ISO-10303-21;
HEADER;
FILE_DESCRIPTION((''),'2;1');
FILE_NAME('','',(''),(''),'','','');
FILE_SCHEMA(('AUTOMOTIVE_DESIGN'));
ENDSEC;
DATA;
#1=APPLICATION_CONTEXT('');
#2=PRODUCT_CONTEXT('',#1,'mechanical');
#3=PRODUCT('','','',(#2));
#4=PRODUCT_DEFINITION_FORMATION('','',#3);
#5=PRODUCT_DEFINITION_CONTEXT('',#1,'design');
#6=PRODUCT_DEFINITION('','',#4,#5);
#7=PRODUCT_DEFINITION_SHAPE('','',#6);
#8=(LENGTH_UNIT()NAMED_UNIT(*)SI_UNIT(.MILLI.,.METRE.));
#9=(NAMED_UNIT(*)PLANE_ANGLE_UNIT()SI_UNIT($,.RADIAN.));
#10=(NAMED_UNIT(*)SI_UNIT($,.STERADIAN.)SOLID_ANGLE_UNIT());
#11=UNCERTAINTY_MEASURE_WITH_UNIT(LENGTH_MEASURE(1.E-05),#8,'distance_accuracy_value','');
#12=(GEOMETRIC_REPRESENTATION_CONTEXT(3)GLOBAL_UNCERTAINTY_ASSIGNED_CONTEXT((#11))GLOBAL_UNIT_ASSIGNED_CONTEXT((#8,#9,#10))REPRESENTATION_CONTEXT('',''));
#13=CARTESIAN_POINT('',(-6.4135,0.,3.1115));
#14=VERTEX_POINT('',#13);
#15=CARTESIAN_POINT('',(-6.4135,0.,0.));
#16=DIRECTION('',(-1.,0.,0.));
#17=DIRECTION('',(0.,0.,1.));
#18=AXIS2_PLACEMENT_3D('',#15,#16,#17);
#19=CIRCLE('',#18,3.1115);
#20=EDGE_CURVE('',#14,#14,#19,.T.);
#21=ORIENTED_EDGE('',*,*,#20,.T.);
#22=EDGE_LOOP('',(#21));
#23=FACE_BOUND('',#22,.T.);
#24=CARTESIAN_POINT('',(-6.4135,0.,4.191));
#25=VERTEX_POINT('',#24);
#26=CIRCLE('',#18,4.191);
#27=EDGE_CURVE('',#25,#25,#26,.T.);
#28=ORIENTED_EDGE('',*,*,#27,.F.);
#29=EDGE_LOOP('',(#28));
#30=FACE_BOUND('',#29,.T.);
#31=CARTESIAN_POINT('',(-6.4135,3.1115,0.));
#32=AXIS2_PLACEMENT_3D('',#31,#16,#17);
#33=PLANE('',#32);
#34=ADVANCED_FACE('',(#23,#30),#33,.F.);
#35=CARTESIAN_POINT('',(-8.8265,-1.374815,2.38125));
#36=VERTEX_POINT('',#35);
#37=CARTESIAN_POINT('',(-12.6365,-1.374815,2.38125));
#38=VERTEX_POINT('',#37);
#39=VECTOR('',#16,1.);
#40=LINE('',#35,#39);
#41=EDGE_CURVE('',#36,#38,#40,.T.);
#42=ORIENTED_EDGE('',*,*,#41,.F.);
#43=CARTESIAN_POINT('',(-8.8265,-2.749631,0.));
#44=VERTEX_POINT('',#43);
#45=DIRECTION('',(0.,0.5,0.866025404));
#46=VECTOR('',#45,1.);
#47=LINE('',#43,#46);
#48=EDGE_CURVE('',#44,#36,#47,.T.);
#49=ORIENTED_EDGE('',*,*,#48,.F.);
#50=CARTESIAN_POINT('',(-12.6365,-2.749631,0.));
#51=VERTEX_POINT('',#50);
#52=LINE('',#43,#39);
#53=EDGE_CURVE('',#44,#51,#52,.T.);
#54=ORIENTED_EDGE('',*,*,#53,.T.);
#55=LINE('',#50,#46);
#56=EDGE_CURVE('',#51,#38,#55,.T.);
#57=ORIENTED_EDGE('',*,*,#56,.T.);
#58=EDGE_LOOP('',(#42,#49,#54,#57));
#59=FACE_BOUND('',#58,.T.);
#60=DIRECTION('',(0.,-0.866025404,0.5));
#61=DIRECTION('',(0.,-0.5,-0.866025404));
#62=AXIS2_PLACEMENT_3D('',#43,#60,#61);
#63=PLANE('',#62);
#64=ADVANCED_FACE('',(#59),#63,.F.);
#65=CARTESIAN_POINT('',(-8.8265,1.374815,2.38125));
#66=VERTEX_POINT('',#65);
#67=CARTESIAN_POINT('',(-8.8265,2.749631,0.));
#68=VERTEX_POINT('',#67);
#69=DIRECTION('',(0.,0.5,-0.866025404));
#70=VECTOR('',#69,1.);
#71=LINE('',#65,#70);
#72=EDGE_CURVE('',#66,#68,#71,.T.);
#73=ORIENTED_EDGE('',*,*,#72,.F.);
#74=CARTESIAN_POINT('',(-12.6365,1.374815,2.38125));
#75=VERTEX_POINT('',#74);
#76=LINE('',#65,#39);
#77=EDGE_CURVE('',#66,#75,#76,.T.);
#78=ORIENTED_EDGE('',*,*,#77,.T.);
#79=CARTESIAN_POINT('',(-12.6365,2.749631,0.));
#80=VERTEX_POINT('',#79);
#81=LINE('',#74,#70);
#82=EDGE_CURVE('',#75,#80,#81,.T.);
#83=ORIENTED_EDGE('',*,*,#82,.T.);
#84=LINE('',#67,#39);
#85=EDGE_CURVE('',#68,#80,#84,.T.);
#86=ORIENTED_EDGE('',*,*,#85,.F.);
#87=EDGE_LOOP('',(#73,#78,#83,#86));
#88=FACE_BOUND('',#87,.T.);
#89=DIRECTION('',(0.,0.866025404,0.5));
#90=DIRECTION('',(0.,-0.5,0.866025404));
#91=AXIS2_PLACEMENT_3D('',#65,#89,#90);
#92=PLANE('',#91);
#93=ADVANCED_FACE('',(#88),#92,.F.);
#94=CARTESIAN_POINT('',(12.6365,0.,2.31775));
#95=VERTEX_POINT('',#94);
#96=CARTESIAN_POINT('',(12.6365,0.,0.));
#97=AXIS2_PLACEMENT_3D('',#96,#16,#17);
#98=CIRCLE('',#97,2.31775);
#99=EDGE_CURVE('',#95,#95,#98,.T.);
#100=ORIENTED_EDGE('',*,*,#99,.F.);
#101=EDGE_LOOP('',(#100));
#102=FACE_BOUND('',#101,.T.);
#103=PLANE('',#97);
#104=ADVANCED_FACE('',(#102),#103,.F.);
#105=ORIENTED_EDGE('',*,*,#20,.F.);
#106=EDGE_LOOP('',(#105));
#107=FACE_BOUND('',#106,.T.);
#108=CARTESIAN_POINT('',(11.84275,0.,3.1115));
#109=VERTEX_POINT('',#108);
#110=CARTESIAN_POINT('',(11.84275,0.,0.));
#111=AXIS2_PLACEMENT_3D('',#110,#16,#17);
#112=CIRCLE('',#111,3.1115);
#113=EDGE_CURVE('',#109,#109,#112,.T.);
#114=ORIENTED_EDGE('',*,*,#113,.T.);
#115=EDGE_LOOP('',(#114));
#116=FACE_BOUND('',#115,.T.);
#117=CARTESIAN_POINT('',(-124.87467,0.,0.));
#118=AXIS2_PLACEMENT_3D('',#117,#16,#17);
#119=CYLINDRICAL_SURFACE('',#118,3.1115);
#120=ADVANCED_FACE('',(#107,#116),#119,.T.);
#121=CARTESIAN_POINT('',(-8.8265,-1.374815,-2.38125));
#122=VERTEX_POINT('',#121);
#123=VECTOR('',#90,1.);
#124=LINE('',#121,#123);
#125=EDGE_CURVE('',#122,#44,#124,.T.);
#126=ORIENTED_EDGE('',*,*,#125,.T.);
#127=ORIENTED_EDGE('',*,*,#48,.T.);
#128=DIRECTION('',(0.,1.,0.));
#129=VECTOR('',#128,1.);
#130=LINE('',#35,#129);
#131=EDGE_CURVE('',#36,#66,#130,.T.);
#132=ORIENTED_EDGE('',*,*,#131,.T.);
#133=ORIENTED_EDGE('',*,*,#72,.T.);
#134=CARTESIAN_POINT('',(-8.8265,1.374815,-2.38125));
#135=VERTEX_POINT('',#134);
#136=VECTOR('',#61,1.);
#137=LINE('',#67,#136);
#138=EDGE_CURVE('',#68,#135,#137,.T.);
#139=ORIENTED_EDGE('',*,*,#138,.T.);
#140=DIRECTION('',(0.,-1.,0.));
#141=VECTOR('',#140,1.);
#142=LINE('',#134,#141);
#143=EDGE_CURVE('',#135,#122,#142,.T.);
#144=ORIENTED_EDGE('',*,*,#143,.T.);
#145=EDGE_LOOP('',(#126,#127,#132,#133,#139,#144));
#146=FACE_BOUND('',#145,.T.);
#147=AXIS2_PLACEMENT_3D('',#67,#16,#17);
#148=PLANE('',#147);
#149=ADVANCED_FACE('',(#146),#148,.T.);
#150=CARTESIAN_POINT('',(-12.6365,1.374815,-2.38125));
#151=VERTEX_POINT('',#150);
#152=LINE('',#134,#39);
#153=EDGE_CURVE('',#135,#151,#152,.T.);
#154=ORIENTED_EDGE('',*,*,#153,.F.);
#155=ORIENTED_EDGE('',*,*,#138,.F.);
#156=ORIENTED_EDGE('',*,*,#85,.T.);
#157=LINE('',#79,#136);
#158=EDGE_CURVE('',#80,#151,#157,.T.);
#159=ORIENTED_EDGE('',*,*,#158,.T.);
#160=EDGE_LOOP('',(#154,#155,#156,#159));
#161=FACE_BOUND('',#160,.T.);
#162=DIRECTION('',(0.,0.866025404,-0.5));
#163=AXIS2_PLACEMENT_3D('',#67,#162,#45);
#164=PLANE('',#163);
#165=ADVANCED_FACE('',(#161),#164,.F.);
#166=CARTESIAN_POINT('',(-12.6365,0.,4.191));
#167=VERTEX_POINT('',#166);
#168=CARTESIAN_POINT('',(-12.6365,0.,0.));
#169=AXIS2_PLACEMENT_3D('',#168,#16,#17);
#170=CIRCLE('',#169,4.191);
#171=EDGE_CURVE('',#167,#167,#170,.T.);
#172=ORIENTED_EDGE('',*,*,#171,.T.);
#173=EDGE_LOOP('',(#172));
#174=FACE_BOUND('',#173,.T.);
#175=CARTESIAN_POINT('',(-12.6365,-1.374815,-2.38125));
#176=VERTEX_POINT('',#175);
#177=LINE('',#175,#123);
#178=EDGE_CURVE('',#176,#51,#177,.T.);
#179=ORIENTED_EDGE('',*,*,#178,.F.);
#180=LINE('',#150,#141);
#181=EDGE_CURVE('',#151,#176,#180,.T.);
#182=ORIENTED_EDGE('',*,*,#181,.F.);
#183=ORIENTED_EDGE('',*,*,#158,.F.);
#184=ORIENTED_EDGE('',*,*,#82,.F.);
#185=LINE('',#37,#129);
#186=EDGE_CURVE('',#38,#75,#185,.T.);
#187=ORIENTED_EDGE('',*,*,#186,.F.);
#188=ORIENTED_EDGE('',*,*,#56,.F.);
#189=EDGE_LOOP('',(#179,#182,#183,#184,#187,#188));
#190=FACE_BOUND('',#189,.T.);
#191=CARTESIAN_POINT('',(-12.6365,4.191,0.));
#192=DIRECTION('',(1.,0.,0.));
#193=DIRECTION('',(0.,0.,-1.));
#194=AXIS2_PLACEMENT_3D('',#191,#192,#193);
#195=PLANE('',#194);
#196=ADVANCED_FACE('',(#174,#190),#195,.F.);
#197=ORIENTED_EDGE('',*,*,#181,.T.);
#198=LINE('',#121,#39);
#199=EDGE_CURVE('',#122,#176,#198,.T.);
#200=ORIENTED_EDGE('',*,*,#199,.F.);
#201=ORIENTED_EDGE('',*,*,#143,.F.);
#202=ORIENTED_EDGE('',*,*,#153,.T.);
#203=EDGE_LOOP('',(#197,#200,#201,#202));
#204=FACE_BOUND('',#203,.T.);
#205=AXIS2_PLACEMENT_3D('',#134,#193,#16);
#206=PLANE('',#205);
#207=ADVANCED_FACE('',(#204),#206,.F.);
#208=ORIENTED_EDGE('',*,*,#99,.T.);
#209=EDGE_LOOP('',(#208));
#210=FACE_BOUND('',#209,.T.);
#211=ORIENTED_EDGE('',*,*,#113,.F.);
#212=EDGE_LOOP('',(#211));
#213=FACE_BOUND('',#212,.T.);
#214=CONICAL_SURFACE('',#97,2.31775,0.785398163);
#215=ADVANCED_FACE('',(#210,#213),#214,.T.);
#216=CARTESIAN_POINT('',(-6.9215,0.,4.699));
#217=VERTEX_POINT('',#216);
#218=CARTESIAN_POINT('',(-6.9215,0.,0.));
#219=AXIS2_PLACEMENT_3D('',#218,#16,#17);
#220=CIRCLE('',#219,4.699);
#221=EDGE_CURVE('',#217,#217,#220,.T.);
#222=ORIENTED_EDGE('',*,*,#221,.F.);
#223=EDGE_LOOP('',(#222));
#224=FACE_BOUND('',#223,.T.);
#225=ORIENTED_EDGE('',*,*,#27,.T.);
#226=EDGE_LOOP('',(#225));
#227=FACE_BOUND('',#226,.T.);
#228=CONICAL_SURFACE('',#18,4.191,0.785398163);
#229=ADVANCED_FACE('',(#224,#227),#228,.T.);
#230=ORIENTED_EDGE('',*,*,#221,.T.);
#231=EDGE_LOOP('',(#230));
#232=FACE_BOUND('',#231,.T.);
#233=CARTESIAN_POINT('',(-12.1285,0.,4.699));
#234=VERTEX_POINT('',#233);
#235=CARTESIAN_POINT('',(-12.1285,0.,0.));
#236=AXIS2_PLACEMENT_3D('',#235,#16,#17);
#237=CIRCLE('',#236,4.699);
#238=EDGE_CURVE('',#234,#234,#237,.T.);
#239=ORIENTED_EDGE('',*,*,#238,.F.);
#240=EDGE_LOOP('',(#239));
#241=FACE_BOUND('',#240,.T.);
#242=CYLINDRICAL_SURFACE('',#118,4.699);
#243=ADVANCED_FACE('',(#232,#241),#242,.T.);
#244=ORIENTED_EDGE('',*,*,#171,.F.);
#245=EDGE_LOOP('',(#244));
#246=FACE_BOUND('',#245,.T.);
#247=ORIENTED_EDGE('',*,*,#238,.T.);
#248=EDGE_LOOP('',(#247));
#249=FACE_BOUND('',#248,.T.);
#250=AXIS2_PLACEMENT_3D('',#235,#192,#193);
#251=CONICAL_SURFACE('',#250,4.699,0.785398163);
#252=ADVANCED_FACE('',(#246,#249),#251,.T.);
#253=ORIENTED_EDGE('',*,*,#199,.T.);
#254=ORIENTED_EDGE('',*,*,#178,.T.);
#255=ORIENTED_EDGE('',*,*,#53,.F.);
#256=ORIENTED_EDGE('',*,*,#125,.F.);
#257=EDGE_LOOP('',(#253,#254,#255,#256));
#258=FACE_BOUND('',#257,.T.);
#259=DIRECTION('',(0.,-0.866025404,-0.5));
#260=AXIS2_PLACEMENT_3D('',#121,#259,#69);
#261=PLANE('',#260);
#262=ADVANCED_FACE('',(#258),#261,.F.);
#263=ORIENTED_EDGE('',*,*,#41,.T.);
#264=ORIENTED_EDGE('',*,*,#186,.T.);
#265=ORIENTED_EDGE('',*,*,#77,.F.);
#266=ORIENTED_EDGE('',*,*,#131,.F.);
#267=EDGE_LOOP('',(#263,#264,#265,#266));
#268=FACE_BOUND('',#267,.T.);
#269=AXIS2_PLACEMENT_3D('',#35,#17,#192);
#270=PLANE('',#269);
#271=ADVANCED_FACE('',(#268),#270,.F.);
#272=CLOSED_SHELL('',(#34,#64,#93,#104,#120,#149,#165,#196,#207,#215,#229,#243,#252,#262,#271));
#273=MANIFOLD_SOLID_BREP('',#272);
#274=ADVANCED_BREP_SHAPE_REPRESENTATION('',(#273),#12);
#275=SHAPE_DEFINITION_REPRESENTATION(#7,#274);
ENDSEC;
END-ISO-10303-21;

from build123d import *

# Parameters (mm, degrees)
EXTRUDE1_DEPTH = 3.81


with BuildPart() as part:
    # Sketch1 → Revolve1 (revolve)
    with BuildSketch(Plane.XY, mode=Mode.PRIVATE) as revolve1_sk:
        Polygon((12.6365, 0), (12.6365, 2.31775), (11.84275, 3.1115), (-6.4135, 3.1115), (-6.4135, 4.191), (-6.9215, 4.699), (-12.1285, 4.699), (-12.6365, 4.191), (-12.6365, 0), align=None)
    revolve(revolve1_sk.sketch.rotate(Axis((-124.874669814, 0, 0), (1, 0, 0)), 90), axis=Axis((-124.874669814, 0, 0), (1, 0, 0)))

    # Sketch2 → Extrude1 (cut)
    with BuildSketch(Plane.ZY.offset(12.6365)):
        Polygon((0, 2.749630657), (-2.38125, 1.374815329), (-2.38125, -1.374815329), (0, -2.749630657), (2.38125, -1.374815329), (2.38125, 1.374815329), align=None)
    extrude(amount=-EXTRUDE1_DEPTH, mode=Mode.SUBTRACT)


solid = part.part
